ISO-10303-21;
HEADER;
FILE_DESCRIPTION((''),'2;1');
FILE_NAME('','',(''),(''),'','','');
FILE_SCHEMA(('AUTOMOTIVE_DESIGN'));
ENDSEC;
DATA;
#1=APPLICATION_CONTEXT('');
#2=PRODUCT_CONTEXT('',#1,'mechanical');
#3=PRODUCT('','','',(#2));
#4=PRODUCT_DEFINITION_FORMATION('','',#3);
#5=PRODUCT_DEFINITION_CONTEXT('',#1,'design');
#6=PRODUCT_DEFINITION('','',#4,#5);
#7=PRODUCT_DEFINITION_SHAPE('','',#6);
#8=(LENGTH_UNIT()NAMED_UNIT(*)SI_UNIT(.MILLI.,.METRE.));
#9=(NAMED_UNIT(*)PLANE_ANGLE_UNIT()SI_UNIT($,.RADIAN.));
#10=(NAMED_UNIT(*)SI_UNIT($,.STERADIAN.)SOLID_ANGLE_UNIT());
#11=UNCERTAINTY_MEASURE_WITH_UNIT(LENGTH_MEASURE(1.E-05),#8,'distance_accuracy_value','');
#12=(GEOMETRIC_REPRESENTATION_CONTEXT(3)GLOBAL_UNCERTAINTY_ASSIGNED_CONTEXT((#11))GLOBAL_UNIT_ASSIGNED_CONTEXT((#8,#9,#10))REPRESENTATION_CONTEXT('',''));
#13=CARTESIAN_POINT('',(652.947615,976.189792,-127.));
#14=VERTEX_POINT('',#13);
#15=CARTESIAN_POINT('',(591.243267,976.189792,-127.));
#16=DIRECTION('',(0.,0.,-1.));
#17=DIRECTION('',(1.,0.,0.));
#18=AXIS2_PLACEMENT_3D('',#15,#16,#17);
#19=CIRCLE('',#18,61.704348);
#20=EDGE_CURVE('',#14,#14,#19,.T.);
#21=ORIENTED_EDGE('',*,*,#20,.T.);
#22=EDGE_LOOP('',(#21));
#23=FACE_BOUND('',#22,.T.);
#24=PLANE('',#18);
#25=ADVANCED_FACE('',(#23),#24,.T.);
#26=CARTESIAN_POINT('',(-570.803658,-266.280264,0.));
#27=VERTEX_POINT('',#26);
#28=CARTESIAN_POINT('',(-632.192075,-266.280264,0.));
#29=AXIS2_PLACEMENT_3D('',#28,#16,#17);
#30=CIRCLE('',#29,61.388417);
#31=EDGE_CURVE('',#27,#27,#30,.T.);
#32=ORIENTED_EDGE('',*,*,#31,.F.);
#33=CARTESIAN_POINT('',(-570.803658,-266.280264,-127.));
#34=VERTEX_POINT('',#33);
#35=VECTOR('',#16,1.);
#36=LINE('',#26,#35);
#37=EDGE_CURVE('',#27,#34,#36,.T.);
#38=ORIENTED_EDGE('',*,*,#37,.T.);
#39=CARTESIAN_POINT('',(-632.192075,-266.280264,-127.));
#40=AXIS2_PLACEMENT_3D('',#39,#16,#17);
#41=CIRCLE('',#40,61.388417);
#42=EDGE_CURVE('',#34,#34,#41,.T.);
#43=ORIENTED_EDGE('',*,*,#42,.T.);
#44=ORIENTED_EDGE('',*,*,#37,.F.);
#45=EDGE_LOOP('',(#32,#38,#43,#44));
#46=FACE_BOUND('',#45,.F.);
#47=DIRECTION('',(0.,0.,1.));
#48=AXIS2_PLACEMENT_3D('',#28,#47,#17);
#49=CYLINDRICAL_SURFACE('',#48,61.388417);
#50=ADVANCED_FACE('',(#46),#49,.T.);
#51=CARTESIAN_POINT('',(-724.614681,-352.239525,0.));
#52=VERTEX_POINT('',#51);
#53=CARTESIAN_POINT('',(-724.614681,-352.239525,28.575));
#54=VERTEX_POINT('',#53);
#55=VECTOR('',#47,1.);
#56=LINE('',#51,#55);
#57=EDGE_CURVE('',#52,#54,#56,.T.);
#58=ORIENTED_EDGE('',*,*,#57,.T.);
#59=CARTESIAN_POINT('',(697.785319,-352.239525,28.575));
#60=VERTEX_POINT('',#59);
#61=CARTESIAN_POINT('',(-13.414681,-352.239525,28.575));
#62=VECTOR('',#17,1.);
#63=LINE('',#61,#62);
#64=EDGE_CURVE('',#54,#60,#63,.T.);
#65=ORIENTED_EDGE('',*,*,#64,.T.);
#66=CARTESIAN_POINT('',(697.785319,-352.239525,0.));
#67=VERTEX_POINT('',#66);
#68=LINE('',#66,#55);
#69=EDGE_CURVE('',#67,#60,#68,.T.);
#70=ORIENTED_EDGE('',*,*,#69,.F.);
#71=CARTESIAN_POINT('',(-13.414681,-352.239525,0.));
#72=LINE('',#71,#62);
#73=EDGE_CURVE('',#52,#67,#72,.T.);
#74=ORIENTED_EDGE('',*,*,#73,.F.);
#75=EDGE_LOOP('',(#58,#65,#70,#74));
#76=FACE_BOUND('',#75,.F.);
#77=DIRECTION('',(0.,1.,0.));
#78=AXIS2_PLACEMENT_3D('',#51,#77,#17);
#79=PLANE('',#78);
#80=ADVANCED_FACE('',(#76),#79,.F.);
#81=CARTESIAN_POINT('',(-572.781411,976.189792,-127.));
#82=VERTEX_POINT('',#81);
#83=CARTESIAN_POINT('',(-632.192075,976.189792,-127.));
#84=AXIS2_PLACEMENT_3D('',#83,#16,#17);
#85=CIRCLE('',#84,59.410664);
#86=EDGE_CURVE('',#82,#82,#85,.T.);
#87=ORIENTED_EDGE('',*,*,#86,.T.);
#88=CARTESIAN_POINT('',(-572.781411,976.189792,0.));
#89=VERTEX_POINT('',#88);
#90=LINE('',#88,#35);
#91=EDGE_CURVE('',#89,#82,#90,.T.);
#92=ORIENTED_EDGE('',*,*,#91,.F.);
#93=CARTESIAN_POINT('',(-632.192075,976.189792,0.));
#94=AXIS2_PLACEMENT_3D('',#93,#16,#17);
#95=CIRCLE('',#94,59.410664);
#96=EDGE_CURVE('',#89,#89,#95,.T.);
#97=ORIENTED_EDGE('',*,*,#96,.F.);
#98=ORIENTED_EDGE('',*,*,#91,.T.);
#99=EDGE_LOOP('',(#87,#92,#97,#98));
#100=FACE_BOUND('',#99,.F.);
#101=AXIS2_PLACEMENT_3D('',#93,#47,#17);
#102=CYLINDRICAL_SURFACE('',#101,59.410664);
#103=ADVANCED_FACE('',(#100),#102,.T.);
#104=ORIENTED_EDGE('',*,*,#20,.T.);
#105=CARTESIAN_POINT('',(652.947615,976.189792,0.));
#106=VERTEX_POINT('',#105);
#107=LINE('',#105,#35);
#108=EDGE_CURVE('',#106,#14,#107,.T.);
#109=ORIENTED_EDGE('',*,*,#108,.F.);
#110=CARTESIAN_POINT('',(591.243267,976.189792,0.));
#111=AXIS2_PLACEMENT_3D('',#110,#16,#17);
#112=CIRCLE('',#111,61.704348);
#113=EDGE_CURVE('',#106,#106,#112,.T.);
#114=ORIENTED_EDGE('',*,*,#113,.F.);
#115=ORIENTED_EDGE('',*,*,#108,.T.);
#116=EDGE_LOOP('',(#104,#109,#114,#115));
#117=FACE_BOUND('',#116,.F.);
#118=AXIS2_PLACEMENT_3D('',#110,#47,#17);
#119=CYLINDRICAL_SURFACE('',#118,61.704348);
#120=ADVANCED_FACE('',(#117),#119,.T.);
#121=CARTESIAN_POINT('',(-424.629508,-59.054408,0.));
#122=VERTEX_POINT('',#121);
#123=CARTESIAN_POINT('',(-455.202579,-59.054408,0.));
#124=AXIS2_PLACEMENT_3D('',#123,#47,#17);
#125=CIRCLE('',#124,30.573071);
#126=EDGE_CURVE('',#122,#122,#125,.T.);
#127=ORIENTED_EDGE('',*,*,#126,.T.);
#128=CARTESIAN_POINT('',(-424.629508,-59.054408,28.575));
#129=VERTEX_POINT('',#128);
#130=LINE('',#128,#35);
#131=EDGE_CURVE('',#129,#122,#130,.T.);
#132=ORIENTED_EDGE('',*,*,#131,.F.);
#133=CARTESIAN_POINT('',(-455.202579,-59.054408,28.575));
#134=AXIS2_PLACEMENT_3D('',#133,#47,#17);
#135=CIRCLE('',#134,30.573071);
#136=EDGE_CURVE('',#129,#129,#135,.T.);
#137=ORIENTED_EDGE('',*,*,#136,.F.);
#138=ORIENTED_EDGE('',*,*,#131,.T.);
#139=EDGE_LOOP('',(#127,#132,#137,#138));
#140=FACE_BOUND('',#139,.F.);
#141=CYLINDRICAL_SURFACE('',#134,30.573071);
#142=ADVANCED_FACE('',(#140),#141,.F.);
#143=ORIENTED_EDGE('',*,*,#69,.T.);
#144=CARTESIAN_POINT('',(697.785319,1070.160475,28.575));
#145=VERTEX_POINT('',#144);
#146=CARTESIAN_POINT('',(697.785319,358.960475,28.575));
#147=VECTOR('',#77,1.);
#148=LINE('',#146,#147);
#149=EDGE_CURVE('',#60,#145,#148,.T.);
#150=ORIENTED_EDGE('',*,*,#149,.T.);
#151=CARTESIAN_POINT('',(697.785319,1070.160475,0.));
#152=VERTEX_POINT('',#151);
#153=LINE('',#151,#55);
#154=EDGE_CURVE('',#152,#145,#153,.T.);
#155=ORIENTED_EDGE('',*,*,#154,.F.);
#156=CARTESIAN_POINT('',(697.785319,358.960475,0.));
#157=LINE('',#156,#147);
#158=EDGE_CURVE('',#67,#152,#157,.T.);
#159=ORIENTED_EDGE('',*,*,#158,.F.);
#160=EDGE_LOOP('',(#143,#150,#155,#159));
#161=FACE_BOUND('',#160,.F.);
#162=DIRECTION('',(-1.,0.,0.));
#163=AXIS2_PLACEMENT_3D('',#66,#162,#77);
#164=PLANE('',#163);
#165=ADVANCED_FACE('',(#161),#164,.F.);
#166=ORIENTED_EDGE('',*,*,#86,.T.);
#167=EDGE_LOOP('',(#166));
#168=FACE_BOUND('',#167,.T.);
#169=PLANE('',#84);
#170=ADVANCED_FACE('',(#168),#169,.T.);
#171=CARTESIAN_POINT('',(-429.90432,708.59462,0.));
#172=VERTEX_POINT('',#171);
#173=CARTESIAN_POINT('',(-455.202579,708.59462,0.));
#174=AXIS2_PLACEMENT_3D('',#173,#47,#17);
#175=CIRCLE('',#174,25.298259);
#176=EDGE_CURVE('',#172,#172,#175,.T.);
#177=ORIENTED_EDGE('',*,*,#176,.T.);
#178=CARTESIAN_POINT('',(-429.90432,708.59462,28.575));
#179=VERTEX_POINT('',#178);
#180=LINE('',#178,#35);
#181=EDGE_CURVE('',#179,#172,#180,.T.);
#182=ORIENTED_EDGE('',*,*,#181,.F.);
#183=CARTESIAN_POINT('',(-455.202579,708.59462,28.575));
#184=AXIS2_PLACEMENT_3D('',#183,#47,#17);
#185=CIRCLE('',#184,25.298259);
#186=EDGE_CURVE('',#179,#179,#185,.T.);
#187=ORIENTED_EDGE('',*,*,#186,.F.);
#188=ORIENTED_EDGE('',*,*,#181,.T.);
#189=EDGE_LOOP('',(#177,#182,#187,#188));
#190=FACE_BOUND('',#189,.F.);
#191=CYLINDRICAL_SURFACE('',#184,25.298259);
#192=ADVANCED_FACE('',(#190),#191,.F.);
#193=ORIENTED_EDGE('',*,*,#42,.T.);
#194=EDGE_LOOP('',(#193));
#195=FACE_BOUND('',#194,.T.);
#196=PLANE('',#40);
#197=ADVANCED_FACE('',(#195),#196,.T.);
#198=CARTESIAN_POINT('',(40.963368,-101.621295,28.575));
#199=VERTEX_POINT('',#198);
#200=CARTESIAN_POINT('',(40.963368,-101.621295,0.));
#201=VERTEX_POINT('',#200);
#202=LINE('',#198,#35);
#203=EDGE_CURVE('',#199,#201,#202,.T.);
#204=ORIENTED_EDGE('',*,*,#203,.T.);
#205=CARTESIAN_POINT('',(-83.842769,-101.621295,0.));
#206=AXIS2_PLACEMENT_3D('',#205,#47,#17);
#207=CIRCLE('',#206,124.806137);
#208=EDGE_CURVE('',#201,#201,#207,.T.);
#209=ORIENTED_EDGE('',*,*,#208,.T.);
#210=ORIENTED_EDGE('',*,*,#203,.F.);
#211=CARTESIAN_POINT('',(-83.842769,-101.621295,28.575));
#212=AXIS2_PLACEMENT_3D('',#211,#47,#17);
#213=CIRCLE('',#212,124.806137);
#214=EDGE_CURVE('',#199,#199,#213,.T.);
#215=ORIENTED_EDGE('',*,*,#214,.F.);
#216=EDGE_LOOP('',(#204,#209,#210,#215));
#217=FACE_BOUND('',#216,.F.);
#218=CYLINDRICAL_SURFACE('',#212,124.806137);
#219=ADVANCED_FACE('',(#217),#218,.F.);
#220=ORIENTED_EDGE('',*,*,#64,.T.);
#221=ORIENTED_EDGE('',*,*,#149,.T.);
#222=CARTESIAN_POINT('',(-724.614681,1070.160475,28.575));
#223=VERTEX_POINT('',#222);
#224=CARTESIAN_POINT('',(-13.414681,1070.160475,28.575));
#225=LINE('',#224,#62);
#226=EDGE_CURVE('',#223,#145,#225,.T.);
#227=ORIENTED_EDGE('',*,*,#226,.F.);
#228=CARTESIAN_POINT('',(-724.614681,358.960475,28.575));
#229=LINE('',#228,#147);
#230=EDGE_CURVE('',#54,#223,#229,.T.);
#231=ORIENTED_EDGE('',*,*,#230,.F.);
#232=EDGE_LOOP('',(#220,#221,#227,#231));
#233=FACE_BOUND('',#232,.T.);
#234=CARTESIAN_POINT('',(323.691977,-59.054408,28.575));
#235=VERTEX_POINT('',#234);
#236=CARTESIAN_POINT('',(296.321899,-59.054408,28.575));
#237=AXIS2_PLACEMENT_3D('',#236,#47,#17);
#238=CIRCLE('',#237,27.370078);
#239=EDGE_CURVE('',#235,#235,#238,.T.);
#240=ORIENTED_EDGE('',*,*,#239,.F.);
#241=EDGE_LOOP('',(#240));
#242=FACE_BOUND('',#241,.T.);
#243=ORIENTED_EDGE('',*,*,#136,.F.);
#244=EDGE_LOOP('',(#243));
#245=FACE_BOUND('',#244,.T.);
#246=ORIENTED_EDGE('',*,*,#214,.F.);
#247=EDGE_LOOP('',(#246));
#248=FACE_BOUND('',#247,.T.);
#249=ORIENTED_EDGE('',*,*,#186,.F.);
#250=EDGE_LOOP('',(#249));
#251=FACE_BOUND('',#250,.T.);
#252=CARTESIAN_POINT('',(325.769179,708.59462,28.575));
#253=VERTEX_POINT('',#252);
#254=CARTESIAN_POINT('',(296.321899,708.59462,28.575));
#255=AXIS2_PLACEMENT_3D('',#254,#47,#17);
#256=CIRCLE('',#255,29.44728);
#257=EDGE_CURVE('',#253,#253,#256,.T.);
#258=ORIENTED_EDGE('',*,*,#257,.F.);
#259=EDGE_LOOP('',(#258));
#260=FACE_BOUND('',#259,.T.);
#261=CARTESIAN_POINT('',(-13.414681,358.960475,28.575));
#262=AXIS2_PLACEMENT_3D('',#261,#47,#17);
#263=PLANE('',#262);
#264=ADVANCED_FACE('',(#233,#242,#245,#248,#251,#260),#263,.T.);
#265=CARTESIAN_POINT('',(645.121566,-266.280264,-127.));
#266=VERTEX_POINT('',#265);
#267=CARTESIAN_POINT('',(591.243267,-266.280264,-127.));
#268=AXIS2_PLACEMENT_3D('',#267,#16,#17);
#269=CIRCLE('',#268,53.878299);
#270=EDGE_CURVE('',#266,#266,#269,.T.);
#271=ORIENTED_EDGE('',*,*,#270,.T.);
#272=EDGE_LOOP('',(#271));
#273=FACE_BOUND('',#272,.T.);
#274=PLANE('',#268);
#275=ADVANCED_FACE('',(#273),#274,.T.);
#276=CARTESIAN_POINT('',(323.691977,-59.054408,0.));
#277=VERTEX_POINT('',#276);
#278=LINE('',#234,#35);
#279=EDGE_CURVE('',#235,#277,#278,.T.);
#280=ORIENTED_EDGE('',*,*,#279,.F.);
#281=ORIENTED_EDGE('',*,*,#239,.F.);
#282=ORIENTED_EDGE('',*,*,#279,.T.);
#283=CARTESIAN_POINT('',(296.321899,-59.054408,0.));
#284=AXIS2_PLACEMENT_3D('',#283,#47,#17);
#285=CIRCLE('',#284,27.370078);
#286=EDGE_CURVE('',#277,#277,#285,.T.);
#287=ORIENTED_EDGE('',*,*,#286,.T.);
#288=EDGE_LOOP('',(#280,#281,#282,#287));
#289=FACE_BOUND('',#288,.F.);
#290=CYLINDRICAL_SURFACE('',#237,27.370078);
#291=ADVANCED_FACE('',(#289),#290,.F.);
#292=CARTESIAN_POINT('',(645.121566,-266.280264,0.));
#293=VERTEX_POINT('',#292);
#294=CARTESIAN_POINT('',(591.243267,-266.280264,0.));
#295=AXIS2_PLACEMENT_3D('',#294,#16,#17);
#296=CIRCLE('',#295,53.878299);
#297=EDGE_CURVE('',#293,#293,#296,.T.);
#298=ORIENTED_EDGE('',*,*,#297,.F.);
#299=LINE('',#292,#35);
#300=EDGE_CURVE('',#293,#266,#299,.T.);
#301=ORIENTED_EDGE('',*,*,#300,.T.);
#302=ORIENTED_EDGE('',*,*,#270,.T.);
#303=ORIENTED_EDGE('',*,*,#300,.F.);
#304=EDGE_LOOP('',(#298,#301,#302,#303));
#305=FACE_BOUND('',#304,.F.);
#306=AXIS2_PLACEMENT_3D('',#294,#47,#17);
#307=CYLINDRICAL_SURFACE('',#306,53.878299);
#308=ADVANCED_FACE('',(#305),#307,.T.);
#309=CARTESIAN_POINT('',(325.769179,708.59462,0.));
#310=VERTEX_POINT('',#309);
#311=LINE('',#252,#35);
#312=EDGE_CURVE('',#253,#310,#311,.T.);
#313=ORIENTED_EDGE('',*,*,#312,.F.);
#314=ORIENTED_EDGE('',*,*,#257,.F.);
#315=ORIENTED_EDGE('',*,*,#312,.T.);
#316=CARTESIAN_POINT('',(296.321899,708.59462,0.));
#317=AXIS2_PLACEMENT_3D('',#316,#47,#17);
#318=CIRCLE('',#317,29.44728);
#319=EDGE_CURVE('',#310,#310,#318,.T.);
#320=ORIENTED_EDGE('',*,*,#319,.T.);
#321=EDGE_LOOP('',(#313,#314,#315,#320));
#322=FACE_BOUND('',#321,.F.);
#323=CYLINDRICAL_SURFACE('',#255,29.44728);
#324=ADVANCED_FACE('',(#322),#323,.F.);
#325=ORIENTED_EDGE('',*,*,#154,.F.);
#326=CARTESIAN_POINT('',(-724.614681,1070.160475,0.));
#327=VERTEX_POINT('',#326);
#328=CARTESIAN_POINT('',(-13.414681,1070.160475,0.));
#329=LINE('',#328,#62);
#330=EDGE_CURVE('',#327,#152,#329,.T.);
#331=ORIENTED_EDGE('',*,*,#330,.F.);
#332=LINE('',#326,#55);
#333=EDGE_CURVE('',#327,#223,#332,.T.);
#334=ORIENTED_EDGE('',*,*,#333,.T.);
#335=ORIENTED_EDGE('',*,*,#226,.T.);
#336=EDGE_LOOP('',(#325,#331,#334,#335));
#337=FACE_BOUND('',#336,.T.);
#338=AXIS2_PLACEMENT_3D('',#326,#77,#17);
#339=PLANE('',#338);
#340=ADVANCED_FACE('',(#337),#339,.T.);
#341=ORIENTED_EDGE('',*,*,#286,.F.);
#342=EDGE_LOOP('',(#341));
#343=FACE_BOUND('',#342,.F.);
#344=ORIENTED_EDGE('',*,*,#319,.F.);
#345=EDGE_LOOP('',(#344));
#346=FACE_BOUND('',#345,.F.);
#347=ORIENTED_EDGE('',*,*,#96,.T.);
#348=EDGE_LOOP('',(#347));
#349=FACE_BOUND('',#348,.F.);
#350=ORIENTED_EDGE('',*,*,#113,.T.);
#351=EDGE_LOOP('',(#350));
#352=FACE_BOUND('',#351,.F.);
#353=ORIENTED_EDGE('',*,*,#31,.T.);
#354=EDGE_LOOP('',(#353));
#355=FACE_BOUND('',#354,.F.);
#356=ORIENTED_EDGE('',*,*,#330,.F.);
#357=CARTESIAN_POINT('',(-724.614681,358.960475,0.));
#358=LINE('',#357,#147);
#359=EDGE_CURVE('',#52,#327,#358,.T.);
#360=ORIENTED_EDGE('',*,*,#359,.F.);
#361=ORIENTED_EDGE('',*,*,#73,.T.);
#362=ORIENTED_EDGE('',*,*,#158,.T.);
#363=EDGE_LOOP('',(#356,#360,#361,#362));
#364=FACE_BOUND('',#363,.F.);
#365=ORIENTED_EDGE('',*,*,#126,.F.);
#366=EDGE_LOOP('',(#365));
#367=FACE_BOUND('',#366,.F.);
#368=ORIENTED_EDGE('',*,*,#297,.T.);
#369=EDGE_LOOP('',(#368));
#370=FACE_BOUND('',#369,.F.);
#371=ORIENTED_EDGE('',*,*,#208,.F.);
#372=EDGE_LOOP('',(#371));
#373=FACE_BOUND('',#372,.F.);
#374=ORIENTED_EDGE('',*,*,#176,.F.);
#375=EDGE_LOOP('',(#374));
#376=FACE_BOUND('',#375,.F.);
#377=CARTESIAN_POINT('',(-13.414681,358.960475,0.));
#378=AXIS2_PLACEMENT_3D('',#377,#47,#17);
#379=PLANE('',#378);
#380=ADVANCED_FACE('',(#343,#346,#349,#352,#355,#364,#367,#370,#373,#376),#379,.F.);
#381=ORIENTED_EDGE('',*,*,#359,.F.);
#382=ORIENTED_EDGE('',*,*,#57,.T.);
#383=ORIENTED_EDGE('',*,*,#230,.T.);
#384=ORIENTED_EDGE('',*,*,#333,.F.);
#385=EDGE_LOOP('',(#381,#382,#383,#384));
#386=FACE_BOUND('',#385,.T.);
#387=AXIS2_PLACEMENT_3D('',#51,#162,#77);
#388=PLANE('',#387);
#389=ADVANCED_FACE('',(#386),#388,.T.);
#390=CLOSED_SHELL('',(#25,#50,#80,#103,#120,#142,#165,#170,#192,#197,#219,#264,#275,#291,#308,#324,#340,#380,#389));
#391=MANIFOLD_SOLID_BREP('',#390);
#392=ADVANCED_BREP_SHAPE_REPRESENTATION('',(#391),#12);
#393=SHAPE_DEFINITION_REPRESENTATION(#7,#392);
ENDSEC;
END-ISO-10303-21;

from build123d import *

# Parameters (mm, degrees)
F0_W     = 1422.4
F0_H     = 1422.4
F1_DEPTH = 28.575
F2_R     = 53.878299
F2_R_2   = 61.704348
F2_R_3   = 59.410664
F2_R_4   = 61.388417
F3_DEPTH = 127
F4_R     = 29.44728
F4_R_2   = 25.298259
F4_R_3   = 30.573071
F4_R_4   = 27.370078
F5_DEPTH = 428.45566
F6_R     = 124.806137
F7_DEPTH = 511.49744


with BuildPart() as f1:
    # F0 (on Top) → F1 (new body)
    with BuildSketch(Plane.XY):
        with Locations((-13.414681, 358.960475)):
            Rectangle(F0_W, F0_H)
    extrude(amount=F1_DEPTH)

    # F2 (on face) → F3 (join)
    with BuildSketch(Plane(origin=(0, 0, 0), x_dir=(1, 0, 0), z_dir=(0, 0, -1))):
        with Locations((591.243267, 266.280264)):
            Circle(F2_R)
        with Locations((591.243267, -976.189792)):
            Circle(F2_R_2)
        with Locations((-632.192075, -976.189792)):
            Circle(F2_R_3)
        with Locations((-632.192075, 266.280264)):
            Circle(F2_R_4)
    extrude(amount=F3_DEPTH)

    # F4 (on face) → F5 (cut)
    with BuildSketch(Plane.XY.offset(28.575)):
        with Locations((296.321899, 708.59462)):
            Circle(F4_R)
        with Locations((-455.202579, 708.59462)):
            Circle(F4_R_2)
        with Locations((-455.202579, -59.054408)):
            Circle(F4_R_3)
        with Locations((296.321899, -59.054408)):
            Circle(F4_R_4)
    extrude(amount=-F5_DEPTH, mode=Mode.SUBTRACT)

    # F6 (on face) → F7 (cut)
    with BuildSketch(Plane.XY.offset(28.575)):
        with Locations((-83.842769, -101.621295)):
            Circle(F6_R)
    extrude(amount=-F7_DEPTH, mode=Mode.SUBTRACT)


solid = f1.part
